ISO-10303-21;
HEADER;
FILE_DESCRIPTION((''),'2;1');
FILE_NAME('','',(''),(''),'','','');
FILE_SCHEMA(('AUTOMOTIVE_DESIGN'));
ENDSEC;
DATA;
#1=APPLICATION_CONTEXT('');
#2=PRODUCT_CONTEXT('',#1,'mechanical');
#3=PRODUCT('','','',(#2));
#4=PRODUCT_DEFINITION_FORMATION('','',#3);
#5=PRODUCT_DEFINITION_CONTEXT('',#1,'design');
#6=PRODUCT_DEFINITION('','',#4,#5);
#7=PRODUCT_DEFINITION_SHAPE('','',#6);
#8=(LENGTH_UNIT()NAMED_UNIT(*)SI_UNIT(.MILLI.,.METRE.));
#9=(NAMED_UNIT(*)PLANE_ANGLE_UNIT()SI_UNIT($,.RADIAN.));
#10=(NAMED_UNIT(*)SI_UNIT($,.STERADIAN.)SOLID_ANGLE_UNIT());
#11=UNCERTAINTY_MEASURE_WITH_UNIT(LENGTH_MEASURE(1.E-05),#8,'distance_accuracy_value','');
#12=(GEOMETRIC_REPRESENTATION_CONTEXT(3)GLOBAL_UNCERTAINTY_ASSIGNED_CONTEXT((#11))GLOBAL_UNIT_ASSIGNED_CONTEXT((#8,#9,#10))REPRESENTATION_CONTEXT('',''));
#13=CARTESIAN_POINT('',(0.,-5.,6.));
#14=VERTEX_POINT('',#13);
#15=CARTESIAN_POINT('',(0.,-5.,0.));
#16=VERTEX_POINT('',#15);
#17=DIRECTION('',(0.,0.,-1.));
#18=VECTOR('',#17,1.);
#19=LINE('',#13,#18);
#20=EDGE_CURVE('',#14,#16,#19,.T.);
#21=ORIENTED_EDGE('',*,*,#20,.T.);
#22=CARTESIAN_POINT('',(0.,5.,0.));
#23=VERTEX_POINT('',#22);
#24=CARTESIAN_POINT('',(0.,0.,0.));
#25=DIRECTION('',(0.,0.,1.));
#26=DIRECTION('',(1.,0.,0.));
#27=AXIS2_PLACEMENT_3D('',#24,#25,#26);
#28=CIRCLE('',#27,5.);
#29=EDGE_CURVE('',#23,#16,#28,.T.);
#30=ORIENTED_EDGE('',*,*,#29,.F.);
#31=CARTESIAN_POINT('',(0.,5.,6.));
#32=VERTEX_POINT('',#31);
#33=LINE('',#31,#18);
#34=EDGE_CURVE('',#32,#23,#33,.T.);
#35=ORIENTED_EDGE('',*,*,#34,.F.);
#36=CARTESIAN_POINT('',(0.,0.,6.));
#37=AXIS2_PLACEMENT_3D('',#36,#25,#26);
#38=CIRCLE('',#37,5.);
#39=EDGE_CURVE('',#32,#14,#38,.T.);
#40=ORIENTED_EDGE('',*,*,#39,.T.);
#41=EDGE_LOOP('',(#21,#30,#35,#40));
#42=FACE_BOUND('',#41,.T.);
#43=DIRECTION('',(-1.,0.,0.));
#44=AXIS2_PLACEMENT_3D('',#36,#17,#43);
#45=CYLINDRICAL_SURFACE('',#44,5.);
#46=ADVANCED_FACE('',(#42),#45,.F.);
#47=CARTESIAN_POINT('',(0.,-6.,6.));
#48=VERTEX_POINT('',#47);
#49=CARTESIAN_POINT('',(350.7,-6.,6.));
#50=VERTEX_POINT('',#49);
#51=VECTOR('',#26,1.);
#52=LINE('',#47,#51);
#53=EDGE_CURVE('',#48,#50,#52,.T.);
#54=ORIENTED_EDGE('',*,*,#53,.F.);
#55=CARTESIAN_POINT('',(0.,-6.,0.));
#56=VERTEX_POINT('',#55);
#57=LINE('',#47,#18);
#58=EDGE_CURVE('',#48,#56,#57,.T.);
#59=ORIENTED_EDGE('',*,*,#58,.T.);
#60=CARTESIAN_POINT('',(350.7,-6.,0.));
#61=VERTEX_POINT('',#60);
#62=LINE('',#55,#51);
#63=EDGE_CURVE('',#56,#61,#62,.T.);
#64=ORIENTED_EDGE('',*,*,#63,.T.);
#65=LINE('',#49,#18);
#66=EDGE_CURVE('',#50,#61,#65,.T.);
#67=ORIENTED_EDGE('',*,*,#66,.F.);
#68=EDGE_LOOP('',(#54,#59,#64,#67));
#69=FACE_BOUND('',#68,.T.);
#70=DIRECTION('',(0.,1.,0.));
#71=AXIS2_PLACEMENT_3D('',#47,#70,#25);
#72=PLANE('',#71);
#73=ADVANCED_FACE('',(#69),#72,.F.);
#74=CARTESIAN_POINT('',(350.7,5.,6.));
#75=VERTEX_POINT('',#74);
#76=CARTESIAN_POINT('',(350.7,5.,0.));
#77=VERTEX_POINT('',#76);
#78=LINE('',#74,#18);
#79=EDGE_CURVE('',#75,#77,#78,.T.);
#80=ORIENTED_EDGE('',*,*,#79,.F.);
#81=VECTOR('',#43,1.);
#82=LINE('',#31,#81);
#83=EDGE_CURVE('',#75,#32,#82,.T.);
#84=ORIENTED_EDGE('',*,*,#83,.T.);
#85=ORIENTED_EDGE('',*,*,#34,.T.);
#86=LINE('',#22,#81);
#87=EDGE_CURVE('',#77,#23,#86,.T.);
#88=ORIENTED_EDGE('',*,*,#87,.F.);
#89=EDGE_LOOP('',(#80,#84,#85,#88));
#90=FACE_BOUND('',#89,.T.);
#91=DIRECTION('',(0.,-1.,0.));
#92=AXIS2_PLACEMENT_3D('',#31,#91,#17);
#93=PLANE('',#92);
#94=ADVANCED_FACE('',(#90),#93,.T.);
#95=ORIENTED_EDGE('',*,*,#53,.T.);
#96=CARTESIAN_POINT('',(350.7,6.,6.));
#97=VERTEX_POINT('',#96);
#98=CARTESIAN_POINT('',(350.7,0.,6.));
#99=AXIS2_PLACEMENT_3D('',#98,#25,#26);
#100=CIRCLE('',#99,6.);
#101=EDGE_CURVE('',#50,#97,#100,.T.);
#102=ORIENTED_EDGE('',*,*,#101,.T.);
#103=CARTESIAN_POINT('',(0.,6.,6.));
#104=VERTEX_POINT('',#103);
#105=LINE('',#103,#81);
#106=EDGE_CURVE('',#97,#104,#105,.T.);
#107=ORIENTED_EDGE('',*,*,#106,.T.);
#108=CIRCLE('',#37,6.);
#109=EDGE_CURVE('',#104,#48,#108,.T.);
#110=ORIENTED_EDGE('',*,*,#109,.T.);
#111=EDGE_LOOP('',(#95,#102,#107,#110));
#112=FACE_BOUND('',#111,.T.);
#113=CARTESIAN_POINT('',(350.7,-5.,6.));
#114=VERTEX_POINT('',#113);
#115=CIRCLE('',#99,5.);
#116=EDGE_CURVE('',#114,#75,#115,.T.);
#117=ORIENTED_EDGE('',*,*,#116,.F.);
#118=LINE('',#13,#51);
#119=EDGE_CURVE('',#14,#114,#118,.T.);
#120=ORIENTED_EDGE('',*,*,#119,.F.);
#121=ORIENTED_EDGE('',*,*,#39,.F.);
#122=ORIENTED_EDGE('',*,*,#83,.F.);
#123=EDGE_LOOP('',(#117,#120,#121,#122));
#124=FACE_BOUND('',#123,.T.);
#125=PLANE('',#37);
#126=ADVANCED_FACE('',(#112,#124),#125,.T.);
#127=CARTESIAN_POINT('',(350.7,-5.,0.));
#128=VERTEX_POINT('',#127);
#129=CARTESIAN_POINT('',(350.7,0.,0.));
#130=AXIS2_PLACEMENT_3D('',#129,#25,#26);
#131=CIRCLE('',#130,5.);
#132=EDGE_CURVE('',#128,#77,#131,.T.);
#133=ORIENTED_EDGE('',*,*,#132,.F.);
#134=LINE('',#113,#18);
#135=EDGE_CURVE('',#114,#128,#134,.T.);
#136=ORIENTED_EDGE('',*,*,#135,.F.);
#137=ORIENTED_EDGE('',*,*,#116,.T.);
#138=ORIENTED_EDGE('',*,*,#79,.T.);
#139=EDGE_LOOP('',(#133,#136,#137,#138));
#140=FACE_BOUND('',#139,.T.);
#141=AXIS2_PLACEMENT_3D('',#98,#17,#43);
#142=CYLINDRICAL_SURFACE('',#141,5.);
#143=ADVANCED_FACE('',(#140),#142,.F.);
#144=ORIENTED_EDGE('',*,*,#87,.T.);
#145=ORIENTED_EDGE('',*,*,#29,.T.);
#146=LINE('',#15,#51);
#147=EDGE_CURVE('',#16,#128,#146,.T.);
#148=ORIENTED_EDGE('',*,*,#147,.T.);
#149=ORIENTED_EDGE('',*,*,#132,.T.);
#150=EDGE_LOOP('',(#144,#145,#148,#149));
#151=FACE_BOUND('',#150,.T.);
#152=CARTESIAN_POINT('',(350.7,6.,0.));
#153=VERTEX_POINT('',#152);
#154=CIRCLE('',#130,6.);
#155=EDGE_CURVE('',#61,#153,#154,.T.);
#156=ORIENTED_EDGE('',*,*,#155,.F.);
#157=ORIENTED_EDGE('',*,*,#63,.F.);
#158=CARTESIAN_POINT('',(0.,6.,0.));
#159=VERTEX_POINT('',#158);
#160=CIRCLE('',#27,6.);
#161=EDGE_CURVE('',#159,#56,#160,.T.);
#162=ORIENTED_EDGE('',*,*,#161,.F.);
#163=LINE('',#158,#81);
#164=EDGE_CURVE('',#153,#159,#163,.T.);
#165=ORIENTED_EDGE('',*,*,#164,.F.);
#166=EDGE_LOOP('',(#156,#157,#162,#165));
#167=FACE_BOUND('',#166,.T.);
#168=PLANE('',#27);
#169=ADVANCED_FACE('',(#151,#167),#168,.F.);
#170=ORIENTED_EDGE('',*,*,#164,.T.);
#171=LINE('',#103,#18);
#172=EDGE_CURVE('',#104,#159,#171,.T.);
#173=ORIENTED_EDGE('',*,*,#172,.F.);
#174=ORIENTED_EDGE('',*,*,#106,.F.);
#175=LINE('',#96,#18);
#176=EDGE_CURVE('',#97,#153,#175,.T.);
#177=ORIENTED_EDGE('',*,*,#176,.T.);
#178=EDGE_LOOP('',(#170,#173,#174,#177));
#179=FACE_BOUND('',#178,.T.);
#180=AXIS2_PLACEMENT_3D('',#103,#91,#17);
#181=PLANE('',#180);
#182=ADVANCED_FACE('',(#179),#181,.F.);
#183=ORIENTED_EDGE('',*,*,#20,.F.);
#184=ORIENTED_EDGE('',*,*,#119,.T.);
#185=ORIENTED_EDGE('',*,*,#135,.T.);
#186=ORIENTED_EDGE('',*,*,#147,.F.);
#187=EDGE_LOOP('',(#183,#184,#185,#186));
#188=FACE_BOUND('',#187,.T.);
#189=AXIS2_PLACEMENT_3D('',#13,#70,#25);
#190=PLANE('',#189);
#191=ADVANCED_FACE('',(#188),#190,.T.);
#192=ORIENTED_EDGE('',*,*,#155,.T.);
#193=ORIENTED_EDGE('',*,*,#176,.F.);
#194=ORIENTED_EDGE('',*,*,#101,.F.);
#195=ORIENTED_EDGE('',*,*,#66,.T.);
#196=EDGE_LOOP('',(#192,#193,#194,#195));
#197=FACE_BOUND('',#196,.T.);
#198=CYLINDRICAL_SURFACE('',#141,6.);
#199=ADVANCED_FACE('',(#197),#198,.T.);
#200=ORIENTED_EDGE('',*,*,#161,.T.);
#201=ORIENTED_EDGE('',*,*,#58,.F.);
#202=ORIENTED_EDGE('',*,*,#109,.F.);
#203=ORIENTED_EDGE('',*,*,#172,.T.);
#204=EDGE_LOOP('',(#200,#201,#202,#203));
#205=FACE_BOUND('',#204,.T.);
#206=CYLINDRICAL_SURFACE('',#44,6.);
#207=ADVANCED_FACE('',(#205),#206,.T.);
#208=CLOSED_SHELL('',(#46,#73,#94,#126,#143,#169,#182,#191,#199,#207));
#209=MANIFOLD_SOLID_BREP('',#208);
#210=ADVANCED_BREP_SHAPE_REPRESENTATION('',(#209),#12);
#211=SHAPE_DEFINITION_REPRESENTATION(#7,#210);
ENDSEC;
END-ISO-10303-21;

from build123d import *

# Parameters (mm, degrees)
BOSS_EXTRUDE1_DEPTH = 6


with BuildPart() as part:
    # Sketch1 → Boss-Extrude1 (new body)
    with BuildSketch(Plane.XY):
        with BuildLine():
            Line((0, 6), (350.7, 6))
            ThreePointArc((350.7, 6), (356.7, 0), (350.7, -6))
            Line((350.7, -6), (0, -6))
            ThreePointArc((0, -6), (-6, 0), (0, 6))
        make_face()
        with BuildLine():
            Line((0, 5), (350.7, 5))
            ThreePointArc((350.7, 5), (355.7, 0), (350.7, -5))
            Line((350.7, -5), (0, -5))
            ThreePointArc((0, -5), (-5, 0), (0, 5))
        make_face(mode=Mode.SUBTRACT)
    extrude(amount=BOSS_EXTRUDE1_DEPTH)


solid = part.part
